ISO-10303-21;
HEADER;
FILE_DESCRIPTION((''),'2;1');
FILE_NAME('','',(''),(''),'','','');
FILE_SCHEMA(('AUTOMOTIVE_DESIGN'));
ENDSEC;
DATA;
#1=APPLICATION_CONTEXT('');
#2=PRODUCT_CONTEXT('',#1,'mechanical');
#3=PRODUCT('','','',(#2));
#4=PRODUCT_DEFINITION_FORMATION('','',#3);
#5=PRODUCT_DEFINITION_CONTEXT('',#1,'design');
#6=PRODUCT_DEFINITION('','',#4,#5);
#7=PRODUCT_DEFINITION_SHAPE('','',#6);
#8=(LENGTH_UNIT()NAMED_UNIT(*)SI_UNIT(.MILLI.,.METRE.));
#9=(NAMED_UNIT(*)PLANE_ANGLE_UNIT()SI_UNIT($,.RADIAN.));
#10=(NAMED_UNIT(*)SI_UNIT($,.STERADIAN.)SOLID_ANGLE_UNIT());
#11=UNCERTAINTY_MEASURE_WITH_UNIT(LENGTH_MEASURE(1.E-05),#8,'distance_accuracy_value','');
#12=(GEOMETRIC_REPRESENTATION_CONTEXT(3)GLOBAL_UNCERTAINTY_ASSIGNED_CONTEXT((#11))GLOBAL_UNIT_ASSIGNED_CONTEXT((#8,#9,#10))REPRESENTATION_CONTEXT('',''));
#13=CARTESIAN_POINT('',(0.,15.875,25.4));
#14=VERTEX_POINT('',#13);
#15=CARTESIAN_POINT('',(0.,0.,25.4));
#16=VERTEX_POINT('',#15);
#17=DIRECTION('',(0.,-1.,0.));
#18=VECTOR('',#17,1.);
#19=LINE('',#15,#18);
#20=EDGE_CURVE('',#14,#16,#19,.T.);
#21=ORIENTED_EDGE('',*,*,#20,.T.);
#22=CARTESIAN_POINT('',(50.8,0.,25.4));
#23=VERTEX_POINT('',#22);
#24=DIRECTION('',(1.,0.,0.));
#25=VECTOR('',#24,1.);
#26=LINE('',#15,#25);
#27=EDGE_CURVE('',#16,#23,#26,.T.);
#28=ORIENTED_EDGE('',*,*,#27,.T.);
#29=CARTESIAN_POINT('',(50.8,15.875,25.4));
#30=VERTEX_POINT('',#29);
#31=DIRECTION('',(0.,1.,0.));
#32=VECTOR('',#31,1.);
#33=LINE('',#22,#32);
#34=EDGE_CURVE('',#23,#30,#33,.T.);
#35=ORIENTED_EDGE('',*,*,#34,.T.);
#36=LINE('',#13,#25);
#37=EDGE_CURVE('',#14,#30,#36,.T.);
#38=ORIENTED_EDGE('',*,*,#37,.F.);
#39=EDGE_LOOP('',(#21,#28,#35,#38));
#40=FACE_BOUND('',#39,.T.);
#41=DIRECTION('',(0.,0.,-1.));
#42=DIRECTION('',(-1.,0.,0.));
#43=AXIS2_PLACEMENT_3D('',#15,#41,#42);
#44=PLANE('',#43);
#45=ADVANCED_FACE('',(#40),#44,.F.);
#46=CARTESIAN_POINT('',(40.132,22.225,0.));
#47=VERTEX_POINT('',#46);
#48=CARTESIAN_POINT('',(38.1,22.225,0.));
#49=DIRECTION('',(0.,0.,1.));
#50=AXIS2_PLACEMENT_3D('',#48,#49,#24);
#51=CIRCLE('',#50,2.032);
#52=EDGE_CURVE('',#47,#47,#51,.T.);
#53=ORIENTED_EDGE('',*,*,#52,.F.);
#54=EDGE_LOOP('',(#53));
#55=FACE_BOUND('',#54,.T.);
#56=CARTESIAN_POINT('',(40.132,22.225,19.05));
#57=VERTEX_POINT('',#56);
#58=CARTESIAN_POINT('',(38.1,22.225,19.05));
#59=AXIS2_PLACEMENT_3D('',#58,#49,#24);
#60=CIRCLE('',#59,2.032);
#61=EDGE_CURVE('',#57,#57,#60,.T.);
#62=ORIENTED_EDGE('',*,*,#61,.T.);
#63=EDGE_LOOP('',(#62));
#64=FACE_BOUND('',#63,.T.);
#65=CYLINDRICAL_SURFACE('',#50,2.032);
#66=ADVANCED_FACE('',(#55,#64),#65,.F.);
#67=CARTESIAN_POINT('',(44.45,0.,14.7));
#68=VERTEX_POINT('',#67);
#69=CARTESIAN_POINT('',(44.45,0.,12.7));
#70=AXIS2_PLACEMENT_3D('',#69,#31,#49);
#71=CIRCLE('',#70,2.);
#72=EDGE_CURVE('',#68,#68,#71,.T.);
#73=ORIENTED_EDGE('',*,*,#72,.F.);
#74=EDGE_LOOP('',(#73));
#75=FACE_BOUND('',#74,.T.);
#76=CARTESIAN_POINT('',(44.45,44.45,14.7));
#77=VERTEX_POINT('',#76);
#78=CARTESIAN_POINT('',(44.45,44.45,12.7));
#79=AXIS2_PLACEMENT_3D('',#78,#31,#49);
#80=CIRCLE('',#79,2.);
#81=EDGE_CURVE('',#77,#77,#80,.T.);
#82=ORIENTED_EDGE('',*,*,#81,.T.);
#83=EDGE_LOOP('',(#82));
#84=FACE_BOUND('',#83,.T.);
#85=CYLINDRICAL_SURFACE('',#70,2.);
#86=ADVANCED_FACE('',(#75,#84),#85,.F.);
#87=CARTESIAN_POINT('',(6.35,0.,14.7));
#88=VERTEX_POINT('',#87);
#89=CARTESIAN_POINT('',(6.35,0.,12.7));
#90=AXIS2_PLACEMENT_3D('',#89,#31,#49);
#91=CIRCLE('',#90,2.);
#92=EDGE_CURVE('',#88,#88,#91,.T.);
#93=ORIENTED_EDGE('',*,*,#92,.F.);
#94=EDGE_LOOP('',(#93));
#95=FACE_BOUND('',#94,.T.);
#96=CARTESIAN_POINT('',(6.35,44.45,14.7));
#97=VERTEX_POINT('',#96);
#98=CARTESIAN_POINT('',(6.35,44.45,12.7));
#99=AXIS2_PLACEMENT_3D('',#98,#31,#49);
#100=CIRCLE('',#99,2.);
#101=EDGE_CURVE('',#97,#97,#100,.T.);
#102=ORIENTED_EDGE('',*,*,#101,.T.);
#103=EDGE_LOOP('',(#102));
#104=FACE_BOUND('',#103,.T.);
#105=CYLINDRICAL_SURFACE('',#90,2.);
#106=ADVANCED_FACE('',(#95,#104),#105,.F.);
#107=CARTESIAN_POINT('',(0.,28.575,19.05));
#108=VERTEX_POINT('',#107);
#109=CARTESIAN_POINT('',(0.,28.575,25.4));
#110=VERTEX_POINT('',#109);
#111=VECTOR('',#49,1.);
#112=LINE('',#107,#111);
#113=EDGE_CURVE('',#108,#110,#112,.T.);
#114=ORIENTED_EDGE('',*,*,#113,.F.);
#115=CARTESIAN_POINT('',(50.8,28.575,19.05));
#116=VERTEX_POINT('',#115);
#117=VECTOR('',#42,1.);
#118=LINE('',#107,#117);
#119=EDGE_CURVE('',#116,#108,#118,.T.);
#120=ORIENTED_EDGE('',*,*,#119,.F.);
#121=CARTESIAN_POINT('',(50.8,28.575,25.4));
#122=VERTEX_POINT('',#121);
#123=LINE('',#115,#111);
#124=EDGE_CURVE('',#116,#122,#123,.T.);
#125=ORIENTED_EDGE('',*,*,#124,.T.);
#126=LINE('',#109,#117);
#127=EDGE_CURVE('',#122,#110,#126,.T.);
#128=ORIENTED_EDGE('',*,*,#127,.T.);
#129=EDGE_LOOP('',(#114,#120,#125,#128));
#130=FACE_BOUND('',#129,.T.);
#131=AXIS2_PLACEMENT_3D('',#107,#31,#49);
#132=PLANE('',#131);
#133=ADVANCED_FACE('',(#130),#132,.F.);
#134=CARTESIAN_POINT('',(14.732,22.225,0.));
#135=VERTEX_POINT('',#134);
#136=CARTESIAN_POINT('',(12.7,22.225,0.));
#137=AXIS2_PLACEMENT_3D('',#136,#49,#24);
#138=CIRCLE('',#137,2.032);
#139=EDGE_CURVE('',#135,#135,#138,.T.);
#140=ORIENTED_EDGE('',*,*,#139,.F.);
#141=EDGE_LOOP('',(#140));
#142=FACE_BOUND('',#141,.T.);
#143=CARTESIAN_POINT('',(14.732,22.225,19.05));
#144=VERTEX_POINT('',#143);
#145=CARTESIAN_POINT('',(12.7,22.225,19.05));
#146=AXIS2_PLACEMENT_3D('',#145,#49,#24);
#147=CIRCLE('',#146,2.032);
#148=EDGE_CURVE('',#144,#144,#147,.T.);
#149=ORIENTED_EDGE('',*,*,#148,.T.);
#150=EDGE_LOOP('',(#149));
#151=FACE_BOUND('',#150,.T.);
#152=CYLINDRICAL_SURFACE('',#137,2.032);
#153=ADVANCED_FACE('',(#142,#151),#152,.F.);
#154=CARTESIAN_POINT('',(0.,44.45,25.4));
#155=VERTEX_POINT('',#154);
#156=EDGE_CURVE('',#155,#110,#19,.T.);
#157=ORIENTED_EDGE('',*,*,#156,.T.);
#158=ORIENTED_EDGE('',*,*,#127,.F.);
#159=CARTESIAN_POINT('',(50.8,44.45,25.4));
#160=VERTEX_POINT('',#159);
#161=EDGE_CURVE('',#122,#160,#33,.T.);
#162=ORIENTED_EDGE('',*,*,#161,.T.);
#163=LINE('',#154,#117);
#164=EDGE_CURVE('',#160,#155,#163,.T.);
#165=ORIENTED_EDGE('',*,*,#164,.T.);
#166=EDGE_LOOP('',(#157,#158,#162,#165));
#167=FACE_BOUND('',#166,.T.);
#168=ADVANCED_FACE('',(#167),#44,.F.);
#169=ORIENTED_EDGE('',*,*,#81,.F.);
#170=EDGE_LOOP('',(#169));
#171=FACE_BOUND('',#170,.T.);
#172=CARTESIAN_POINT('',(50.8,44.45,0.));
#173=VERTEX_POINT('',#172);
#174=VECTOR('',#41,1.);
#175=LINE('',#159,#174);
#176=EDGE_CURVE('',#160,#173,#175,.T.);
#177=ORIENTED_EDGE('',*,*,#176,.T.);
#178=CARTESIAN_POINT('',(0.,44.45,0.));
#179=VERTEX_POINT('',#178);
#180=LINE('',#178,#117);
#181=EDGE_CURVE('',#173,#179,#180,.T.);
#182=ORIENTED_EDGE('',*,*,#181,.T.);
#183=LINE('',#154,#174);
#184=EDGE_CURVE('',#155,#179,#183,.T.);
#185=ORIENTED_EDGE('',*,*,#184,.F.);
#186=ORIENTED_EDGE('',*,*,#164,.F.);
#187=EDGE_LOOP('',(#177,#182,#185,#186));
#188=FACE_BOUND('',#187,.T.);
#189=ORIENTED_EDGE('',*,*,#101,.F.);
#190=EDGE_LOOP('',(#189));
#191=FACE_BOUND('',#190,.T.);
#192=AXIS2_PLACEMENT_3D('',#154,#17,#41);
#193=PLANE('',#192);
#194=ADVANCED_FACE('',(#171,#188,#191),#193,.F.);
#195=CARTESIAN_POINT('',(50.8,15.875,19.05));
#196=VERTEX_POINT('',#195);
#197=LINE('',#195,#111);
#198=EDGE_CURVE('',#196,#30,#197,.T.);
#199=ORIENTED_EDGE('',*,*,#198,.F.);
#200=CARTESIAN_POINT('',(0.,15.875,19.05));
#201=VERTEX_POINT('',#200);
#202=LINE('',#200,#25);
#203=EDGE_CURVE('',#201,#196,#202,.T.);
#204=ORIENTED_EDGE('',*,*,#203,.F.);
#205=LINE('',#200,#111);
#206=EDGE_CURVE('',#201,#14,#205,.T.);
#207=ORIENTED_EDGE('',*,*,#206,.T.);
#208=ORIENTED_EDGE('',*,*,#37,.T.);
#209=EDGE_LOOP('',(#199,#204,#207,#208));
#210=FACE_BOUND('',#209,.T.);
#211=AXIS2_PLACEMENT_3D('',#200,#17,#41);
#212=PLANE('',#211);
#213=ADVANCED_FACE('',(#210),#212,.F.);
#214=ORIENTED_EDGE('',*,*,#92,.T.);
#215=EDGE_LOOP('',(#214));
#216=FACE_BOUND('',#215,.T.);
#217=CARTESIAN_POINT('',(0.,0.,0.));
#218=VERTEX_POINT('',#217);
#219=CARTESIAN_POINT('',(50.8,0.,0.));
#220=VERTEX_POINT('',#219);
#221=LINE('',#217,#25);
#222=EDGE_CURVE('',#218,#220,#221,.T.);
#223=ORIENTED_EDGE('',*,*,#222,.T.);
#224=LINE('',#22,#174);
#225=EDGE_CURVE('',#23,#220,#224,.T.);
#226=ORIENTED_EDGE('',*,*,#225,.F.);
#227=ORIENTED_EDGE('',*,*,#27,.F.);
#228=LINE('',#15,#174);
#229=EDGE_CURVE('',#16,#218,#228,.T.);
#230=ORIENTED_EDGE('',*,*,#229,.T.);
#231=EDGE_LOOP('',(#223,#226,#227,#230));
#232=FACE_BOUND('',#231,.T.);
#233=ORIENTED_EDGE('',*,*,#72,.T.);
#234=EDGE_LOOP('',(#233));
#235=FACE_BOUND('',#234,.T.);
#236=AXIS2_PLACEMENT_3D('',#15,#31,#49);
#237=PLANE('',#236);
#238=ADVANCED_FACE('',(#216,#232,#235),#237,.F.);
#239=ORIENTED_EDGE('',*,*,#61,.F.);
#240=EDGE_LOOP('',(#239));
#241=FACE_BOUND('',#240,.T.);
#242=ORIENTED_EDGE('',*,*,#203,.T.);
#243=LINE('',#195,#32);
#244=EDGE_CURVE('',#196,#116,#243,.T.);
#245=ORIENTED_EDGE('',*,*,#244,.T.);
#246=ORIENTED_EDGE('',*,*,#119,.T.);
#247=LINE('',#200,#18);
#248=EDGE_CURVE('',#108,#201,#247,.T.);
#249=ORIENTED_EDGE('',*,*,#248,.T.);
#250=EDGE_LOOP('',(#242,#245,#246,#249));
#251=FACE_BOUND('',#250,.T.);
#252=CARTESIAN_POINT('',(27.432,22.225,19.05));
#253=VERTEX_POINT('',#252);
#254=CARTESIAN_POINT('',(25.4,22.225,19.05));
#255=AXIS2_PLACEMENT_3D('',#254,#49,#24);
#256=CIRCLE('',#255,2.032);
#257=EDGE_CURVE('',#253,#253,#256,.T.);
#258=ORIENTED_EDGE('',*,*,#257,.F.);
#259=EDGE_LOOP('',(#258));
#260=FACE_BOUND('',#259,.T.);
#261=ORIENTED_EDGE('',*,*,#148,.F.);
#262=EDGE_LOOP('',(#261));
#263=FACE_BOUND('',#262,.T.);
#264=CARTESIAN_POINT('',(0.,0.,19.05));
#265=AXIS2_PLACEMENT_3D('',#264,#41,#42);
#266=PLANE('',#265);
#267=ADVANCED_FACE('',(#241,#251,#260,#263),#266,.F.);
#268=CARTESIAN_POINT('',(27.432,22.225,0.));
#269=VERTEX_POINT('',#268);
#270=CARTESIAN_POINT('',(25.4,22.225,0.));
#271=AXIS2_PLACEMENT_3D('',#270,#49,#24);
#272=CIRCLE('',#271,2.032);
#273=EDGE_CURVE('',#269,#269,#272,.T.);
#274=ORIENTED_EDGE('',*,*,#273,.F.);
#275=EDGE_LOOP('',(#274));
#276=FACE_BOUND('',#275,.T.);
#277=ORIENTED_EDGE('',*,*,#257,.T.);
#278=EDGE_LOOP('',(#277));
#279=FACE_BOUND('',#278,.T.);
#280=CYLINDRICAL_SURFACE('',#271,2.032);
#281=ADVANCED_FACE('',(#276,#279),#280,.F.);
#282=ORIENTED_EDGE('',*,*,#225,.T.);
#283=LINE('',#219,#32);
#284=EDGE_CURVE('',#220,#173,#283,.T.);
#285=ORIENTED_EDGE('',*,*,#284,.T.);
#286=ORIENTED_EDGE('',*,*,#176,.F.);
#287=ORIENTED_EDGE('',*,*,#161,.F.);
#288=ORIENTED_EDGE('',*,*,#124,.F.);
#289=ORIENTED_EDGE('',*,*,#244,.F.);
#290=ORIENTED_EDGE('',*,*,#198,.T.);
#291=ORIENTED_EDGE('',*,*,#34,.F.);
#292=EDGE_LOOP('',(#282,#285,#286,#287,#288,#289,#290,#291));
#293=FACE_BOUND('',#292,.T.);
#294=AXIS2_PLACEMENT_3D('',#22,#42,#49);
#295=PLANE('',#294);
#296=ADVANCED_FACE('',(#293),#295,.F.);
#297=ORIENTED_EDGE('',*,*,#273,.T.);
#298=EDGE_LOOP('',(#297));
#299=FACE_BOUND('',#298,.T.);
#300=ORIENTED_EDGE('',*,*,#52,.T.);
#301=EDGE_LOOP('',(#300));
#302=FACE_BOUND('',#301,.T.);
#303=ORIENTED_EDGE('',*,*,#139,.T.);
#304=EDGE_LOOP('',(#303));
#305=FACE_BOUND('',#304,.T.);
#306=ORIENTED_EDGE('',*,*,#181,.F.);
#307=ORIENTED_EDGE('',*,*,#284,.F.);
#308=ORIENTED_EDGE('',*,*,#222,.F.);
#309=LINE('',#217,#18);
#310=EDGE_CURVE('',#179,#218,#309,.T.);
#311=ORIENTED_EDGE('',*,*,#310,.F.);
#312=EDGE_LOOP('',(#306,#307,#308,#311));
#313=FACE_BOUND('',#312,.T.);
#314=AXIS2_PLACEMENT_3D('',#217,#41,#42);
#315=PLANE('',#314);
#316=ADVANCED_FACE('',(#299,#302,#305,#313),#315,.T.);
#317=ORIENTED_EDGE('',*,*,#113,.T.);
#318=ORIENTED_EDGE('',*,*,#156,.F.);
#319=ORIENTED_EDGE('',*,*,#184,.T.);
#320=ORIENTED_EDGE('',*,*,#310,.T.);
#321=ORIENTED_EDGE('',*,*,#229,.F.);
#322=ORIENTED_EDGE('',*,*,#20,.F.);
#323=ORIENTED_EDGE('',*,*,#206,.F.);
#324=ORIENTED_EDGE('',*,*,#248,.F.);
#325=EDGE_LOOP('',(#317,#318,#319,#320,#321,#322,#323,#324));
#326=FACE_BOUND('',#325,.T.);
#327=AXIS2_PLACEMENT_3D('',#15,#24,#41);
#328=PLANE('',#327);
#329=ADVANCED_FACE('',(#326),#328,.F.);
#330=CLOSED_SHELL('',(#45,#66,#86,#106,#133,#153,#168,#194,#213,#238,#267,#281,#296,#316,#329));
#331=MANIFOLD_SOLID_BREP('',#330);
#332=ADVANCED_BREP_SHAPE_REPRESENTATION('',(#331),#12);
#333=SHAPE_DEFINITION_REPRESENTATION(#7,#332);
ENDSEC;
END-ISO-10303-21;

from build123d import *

# Parameters (mm, degrees)
SKETCH1_W           = 50.8
SKETCH1_H           = 44.45
BOSS_EXTRUDE1_DEPTH = 25.4
SKETCH4_R           = 2
CUT_EXTRUDE3_DEPTH  = 73.122135992
SKETCH5_W           = 50.8
SKETCH5_H           = 12.7
CUT_EXTRUDE4_DEPTH  = 6.35
SKETCH6_R           = 2.032
CUT_EXTRUDE5_DEPTH  = 71.138042459


with BuildPart() as part:
    # Sketch1 → Boss-Extrude1 (new body)
    with BuildSketch(Plane.XY):
        with Locations((25.4, 22.225)):
            Rectangle(SKETCH1_W, SKETCH1_H)
    extrude(amount=BOSS_EXTRUDE1_DEPTH)

    # Sketch4 → Cut-Extrude3 (cut, through all)
    with BuildSketch(Plane(origin=(0, 44.45, 0), x_dir=(1, 0, 0), z_dir=(0, 1, 0))):
        with Locations(Location((6.35, -12.7, 0), (0, 0, 270))):
            Circle(SKETCH4_R)
        with Locations(Location((44.45, -12.7, 0), (0, 0, 270))):
            Circle(SKETCH4_R)
    extrude(amount=-CUT_EXTRUDE3_DEPTH, mode=Mode.SUBTRACT)

    # Sketch5 → Cut-Extrude4 (cut)
    with BuildSketch(Plane.XY.offset(25.4)):
        with Locations((25.4, 22.225)):
            Rectangle(SKETCH5_W, SKETCH5_H)
    extrude(amount=-CUT_EXTRUDE4_DEPTH, mode=Mode.SUBTRACT)

    # Sketch6 → Cut-Extrude5 (cut, through all)
    with BuildSketch(Plane.XY.offset(19.05)):
        with Locations((25.4, 22.225)):
            Circle(SKETCH6_R)
        with Locations((38.1, 22.225)):
            Circle(SKETCH6_R)
        with Locations((12.7, 22.225)):
            Circle(SKETCH6_R)
    extrude(amount=-CUT_EXTRUDE5_DEPTH, mode=Mode.SUBTRACT)


solid = part.part
